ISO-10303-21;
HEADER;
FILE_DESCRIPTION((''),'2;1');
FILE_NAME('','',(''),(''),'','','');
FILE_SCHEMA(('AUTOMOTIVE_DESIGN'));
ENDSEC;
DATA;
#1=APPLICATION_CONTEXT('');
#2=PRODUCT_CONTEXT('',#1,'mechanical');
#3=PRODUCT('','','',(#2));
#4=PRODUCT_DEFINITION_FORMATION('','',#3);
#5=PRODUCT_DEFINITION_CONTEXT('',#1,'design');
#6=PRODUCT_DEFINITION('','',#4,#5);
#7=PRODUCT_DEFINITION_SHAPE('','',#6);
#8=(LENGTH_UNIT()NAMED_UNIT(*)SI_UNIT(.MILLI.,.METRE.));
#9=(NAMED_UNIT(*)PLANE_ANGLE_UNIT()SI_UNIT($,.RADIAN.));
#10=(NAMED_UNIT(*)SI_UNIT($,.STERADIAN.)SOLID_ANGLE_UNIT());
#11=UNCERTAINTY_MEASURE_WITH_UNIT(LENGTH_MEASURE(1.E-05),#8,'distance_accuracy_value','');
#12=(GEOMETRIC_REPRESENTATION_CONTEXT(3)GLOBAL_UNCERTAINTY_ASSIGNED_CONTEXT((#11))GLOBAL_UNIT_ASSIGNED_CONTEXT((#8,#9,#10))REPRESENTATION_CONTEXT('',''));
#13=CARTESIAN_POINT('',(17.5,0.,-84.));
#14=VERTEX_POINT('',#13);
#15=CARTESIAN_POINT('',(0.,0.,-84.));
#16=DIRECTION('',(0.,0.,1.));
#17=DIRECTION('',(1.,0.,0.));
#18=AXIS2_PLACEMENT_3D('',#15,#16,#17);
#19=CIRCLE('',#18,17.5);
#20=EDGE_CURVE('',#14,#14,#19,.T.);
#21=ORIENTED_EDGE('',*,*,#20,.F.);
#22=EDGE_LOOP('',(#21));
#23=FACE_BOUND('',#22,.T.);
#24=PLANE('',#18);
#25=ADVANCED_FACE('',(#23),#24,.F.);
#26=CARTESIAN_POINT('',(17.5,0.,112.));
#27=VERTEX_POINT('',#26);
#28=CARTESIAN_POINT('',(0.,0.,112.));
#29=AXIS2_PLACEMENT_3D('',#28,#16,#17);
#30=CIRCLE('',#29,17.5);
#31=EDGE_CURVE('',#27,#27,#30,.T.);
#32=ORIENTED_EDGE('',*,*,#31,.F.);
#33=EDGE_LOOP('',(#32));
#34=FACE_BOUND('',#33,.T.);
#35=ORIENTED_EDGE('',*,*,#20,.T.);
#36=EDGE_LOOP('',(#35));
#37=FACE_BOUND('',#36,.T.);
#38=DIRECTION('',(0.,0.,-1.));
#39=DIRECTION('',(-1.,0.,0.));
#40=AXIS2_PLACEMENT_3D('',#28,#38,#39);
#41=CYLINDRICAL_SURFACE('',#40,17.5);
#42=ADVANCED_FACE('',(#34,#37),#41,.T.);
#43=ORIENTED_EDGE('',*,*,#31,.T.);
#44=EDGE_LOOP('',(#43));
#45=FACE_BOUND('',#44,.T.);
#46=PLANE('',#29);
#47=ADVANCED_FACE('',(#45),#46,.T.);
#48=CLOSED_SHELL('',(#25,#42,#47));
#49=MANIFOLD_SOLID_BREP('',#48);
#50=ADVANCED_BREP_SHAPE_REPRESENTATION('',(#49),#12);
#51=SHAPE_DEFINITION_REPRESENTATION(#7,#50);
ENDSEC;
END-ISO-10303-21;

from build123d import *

# Parameters (mm, degrees)
CROQUIS6_R               = 2.5
SALIENTE_EXTRUIR12_DEPTH = 28
ESCALA1_SCALE            = 7


with BuildPart() as part:
    # Croquis6 → Saliente-Extruir12 (new body)
    with BuildSketch(Plane.XY):
        Circle(CROQUIS6_R)
    extrude(amount=SALIENTE_EXTRUIR12_DEPTH)


with BuildPart() as part_1:
    # Escala1: scaled about (0, 0, 14)
    add(part.part.scale(ESCALA1_SCALE).moved(Location((0, 0, -84))))


solid = part_1.part
